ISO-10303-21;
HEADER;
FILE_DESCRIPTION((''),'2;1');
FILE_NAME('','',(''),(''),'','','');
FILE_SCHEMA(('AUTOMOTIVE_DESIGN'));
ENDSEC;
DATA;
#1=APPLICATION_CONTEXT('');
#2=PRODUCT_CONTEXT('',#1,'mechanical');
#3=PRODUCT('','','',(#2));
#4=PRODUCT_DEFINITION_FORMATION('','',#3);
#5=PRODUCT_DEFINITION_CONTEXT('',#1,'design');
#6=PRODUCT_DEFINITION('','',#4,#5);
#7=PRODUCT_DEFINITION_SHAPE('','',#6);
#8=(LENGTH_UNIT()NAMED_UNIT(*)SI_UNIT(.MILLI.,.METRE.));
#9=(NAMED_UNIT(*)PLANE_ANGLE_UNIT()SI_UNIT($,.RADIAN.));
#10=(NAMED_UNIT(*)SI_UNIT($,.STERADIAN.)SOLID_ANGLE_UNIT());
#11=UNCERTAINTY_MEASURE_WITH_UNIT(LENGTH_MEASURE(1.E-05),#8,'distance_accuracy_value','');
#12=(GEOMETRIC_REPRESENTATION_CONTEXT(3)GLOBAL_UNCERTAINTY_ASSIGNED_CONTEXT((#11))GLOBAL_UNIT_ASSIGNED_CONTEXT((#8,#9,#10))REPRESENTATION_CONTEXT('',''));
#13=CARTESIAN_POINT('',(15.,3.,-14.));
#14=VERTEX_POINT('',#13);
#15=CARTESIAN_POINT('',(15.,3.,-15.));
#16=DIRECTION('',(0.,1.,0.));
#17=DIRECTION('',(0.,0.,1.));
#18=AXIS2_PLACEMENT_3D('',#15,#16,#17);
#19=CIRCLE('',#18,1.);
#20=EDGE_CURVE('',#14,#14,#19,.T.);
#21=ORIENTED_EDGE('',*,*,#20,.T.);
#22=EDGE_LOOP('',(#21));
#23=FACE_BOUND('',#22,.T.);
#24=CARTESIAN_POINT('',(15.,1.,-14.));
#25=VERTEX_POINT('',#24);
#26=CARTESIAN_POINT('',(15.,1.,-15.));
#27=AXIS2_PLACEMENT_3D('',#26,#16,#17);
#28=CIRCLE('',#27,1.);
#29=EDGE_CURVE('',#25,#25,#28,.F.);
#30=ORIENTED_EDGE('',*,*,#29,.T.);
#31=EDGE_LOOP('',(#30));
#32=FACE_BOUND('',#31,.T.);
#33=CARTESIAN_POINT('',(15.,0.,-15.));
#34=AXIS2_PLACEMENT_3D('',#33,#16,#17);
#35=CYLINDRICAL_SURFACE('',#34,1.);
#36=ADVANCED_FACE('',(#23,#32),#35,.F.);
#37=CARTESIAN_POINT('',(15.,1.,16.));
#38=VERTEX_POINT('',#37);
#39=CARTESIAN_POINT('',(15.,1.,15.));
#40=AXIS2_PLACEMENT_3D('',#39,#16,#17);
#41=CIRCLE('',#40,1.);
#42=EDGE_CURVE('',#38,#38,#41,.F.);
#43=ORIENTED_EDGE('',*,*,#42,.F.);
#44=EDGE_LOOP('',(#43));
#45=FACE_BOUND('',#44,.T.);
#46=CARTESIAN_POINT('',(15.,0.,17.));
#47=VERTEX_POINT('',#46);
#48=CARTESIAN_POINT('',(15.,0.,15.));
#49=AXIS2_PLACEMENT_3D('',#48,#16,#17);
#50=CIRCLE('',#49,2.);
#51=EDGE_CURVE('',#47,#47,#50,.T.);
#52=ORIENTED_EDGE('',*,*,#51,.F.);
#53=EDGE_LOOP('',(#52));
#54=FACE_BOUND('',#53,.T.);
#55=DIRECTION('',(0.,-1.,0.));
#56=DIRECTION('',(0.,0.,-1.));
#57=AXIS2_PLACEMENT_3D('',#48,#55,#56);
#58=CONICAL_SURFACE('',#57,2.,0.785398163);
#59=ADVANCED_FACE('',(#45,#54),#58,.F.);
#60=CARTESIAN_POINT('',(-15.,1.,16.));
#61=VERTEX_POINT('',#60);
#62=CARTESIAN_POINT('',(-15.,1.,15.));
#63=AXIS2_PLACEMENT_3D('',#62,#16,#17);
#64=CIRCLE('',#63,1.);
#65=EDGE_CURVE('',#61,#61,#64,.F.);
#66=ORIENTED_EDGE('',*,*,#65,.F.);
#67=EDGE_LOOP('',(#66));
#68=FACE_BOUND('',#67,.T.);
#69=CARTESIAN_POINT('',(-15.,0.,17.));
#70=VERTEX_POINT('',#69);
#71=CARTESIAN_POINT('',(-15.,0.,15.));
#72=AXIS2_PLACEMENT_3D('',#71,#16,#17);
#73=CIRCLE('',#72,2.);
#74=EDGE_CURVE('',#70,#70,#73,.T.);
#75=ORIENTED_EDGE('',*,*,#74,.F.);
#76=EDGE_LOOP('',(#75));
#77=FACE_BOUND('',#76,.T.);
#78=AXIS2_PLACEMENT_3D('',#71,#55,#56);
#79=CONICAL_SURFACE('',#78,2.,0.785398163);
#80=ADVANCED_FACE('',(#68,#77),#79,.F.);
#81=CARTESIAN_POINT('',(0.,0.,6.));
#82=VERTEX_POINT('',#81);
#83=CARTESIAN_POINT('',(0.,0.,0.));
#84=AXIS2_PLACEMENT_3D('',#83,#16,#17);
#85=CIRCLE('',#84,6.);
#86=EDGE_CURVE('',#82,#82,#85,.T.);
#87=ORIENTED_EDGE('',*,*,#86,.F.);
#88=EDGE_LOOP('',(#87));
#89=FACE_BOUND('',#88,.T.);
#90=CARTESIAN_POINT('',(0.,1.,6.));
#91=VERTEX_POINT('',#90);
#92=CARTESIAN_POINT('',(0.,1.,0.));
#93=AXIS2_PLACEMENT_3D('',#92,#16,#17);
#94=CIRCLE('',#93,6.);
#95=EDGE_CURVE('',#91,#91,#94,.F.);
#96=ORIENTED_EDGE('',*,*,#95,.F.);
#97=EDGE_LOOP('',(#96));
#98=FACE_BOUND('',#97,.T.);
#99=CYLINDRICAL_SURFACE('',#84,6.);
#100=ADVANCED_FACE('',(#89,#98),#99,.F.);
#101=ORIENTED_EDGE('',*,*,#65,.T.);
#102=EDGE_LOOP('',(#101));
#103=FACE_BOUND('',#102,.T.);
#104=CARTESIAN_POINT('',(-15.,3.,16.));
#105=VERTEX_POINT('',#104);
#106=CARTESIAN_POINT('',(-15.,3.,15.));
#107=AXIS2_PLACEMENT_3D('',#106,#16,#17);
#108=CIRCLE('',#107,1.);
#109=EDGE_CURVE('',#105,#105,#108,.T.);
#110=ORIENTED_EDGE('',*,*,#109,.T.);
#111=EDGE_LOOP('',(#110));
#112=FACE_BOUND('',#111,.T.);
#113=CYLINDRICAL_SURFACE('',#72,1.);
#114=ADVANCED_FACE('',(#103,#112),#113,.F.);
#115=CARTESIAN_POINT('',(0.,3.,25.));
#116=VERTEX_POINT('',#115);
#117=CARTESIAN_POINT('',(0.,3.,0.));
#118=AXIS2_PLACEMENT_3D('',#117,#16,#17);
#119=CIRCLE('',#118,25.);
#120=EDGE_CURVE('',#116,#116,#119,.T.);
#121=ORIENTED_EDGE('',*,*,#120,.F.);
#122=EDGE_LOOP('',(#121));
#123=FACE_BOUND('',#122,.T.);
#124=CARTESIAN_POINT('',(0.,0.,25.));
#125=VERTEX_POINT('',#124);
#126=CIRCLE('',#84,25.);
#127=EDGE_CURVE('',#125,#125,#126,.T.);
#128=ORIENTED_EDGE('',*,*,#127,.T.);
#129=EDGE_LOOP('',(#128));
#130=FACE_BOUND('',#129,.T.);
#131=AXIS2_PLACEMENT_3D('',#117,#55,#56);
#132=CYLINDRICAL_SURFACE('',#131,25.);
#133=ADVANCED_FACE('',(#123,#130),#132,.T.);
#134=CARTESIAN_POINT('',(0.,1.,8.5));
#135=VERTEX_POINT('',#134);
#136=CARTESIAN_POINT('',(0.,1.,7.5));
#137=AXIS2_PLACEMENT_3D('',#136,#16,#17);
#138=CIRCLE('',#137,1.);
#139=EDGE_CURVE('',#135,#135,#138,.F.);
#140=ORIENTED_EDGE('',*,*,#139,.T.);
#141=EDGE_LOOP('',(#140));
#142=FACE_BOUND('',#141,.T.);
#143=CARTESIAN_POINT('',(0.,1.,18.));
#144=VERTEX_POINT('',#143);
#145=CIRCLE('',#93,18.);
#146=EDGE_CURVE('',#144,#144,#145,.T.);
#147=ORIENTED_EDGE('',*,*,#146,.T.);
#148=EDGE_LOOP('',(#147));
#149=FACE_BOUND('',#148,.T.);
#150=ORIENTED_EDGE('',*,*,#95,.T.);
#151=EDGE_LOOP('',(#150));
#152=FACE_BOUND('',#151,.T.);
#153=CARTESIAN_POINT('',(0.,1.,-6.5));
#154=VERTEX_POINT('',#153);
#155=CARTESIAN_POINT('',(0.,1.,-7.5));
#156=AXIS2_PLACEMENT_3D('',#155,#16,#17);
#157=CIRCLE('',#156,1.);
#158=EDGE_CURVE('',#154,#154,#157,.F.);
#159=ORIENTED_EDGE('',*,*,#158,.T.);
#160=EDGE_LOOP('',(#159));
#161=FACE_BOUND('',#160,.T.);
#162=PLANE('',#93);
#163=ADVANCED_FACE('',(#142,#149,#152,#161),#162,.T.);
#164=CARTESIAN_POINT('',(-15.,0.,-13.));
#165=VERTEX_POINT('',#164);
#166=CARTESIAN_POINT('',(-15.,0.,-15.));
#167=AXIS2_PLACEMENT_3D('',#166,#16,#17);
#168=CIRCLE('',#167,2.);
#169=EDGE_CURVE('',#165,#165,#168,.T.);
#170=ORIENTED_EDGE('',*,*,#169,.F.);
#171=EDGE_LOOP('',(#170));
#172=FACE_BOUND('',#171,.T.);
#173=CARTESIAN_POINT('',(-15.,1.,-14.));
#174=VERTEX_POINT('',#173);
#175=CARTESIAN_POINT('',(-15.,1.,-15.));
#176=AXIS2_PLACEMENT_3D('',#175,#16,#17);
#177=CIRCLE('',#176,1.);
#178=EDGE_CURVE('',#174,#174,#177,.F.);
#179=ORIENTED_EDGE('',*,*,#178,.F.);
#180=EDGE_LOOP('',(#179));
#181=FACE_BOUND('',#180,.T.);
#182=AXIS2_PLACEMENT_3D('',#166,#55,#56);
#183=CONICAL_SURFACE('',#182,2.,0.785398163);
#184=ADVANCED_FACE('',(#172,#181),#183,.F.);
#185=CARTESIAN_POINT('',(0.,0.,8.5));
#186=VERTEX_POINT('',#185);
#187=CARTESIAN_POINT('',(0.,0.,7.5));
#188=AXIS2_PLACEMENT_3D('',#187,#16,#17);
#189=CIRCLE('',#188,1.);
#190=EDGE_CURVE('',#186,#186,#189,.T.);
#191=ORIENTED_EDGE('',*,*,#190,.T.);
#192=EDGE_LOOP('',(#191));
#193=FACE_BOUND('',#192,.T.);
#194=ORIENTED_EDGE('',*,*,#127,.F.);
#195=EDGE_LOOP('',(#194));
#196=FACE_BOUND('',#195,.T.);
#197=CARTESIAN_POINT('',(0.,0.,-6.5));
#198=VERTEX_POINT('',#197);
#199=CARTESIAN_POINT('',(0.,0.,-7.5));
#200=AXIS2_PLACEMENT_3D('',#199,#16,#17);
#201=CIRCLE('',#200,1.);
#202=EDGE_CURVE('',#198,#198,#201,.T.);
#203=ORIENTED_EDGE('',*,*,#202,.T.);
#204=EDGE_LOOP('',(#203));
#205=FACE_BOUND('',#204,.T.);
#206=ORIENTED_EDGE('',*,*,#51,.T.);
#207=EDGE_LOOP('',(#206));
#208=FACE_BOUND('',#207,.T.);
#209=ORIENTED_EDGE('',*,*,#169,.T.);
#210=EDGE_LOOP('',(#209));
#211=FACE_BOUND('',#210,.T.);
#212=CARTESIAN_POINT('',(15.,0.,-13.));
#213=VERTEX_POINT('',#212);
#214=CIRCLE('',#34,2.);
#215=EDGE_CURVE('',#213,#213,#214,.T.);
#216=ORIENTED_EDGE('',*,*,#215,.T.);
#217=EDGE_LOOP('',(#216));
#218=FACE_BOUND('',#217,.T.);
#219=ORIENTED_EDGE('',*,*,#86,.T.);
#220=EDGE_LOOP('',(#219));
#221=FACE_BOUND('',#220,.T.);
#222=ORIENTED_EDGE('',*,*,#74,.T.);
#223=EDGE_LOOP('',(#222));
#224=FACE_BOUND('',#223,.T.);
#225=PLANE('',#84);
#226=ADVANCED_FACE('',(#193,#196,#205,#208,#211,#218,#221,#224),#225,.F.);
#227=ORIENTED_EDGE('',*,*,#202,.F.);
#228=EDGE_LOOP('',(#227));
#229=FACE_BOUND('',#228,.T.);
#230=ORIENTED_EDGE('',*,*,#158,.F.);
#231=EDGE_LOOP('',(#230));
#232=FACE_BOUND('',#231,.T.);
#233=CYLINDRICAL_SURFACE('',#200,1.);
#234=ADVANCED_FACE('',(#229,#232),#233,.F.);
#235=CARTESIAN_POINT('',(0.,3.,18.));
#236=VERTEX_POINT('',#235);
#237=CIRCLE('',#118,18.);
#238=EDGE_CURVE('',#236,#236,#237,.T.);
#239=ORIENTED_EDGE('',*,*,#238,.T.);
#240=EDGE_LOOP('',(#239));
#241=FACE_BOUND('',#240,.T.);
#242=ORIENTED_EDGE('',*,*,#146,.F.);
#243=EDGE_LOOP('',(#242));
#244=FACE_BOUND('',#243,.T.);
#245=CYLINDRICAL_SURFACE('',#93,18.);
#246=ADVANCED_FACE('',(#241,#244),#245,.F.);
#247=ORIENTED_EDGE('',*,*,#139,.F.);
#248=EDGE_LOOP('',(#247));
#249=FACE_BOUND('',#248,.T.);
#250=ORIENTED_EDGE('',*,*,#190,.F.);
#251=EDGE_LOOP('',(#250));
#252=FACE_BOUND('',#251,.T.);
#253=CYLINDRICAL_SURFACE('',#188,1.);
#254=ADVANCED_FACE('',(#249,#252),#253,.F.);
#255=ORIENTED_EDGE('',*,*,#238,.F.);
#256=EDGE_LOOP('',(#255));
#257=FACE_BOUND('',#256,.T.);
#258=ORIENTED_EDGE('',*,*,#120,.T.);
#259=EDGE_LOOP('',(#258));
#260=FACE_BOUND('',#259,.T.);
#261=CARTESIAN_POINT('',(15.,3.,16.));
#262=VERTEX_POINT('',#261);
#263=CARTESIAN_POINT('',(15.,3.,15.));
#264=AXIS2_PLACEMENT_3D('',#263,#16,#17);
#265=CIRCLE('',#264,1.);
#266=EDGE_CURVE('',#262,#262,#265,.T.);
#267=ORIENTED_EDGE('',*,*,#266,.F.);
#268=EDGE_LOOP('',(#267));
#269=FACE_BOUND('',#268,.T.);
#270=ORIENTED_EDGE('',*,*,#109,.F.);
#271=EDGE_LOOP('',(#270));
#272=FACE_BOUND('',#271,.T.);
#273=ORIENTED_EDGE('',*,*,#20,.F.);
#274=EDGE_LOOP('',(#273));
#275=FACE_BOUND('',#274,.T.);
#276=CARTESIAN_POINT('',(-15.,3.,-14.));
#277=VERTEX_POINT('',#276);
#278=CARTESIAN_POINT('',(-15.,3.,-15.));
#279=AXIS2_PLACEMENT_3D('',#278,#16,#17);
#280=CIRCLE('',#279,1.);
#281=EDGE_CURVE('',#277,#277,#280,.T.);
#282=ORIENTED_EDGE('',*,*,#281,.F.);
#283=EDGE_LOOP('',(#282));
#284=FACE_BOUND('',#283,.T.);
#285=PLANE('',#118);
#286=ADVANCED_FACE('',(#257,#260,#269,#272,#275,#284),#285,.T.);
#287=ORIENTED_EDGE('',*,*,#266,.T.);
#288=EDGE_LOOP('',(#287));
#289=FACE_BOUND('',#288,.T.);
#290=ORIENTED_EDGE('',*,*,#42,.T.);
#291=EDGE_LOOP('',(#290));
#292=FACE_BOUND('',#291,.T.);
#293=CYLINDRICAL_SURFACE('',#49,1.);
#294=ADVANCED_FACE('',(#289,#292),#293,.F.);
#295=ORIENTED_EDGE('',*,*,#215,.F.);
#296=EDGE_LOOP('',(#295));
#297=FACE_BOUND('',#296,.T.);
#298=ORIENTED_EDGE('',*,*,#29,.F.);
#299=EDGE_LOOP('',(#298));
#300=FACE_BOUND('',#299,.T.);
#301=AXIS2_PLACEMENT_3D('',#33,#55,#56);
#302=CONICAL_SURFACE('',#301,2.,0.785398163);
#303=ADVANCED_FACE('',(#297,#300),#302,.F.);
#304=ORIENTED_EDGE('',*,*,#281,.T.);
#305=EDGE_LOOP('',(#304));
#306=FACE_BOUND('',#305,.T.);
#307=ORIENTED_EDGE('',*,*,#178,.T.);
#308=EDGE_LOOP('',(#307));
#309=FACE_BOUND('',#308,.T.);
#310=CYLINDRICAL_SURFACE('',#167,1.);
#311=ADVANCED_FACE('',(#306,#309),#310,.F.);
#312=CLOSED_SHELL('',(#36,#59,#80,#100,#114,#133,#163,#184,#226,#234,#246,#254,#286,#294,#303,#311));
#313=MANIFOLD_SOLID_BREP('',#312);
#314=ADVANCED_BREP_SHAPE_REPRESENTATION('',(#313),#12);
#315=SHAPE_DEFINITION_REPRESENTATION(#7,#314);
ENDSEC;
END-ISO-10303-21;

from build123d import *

# Parameters (mm, degrees)
SKETCH1_R           = 25
BOSS_EXTRUDE1_DEPTH = 3
SKETCH3_R           = 6
SKETCH3_R_2         = 1
CUT_EXTRUDE1_DEPTH  = 36.482389998
SKETCH4_R           = 1
CUT_EXTRUDE2_DEPTH  = 36.482389998
CHAMFER1_SIZE       = 1
SKETCH5_R           = 18
CUT_EXTRUDE3_DEPTH  = 2


with BuildPart() as part:
    # Sketch1 → Boss-Extrude1 (new body)
    with BuildSketch(Plane(origin=(0, 0, 0), x_dir=(1, 0, 0), z_dir=(0, 1, 0))):
        with Locations(Location((0, 0, 0), (0, 0, 270))):
            Circle(SKETCH1_R)
    extrude(amount=BOSS_EXTRUDE1_DEPTH)

    # Sketch3 → Cut-Extrude1 (cut, through all)
    with BuildSketch(Plane(origin=(0, 3, 0), x_dir=(1, 0, 0), z_dir=(0, 1, 0))):
        with Locations(Location((0, 0, 0), (0, 0, 270))):
            Circle(SKETCH3_R)
        with Locations(Location((0, 7.5, 0), (0, 0, 270))):
            Circle(SKETCH3_R_2)
        with Locations(Location((0, -7.5, 0), (0, 0, 270))):
            Circle(SKETCH3_R_2)
    extrude(amount=-CUT_EXTRUDE1_DEPTH, mode=Mode.SUBTRACT)

    # Sketch4 → Cut-Extrude2 (cut, through all)
    with BuildSketch(Plane(origin=(0, 3, 0), x_dir=(1, 0, 0), z_dir=(0, 1, 0))):
        with Locations(Location((-15, 15, 0), (0, 0, 270))):
            Circle(SKETCH4_R)
        with Locations(Location((15, 15, 0), (0, 0, 270))):
            Circle(SKETCH4_R)
        with Locations(Location((15, -15, 0), (0, 0, 270))):
            Circle(SKETCH4_R)
        with Locations(Location((-15, -15, 0), (0, 0, 270))):
            Circle(SKETCH4_R)
    extrude(amount=-CUT_EXTRUDE2_DEPTH, mode=Mode.SUBTRACT)

    # Chamfer1
    chamfer1_edges = [part.edges().sort_by_distance(p)[0] for p in [
        (-15, 0, 14),
        (15, 0, 14),
        (15, 0, -16),
        (-15, 0, -16),
    ]]
    chamfer(chamfer1_edges, length=CHAMFER1_SIZE)

    # Sketch5 → Cut-Extrude3 (cut)
    with BuildSketch(Plane(origin=(0, 3, 0), x_dir=(1, 0, 0), z_dir=(0, 1, 0))):
        with Locations(Location((0, 0, 0), (0, 0, 270))):
            Circle(SKETCH5_R)
    extrude(amount=-CUT_EXTRUDE3_DEPTH, mode=Mode.SUBTRACT)


solid = part.part
